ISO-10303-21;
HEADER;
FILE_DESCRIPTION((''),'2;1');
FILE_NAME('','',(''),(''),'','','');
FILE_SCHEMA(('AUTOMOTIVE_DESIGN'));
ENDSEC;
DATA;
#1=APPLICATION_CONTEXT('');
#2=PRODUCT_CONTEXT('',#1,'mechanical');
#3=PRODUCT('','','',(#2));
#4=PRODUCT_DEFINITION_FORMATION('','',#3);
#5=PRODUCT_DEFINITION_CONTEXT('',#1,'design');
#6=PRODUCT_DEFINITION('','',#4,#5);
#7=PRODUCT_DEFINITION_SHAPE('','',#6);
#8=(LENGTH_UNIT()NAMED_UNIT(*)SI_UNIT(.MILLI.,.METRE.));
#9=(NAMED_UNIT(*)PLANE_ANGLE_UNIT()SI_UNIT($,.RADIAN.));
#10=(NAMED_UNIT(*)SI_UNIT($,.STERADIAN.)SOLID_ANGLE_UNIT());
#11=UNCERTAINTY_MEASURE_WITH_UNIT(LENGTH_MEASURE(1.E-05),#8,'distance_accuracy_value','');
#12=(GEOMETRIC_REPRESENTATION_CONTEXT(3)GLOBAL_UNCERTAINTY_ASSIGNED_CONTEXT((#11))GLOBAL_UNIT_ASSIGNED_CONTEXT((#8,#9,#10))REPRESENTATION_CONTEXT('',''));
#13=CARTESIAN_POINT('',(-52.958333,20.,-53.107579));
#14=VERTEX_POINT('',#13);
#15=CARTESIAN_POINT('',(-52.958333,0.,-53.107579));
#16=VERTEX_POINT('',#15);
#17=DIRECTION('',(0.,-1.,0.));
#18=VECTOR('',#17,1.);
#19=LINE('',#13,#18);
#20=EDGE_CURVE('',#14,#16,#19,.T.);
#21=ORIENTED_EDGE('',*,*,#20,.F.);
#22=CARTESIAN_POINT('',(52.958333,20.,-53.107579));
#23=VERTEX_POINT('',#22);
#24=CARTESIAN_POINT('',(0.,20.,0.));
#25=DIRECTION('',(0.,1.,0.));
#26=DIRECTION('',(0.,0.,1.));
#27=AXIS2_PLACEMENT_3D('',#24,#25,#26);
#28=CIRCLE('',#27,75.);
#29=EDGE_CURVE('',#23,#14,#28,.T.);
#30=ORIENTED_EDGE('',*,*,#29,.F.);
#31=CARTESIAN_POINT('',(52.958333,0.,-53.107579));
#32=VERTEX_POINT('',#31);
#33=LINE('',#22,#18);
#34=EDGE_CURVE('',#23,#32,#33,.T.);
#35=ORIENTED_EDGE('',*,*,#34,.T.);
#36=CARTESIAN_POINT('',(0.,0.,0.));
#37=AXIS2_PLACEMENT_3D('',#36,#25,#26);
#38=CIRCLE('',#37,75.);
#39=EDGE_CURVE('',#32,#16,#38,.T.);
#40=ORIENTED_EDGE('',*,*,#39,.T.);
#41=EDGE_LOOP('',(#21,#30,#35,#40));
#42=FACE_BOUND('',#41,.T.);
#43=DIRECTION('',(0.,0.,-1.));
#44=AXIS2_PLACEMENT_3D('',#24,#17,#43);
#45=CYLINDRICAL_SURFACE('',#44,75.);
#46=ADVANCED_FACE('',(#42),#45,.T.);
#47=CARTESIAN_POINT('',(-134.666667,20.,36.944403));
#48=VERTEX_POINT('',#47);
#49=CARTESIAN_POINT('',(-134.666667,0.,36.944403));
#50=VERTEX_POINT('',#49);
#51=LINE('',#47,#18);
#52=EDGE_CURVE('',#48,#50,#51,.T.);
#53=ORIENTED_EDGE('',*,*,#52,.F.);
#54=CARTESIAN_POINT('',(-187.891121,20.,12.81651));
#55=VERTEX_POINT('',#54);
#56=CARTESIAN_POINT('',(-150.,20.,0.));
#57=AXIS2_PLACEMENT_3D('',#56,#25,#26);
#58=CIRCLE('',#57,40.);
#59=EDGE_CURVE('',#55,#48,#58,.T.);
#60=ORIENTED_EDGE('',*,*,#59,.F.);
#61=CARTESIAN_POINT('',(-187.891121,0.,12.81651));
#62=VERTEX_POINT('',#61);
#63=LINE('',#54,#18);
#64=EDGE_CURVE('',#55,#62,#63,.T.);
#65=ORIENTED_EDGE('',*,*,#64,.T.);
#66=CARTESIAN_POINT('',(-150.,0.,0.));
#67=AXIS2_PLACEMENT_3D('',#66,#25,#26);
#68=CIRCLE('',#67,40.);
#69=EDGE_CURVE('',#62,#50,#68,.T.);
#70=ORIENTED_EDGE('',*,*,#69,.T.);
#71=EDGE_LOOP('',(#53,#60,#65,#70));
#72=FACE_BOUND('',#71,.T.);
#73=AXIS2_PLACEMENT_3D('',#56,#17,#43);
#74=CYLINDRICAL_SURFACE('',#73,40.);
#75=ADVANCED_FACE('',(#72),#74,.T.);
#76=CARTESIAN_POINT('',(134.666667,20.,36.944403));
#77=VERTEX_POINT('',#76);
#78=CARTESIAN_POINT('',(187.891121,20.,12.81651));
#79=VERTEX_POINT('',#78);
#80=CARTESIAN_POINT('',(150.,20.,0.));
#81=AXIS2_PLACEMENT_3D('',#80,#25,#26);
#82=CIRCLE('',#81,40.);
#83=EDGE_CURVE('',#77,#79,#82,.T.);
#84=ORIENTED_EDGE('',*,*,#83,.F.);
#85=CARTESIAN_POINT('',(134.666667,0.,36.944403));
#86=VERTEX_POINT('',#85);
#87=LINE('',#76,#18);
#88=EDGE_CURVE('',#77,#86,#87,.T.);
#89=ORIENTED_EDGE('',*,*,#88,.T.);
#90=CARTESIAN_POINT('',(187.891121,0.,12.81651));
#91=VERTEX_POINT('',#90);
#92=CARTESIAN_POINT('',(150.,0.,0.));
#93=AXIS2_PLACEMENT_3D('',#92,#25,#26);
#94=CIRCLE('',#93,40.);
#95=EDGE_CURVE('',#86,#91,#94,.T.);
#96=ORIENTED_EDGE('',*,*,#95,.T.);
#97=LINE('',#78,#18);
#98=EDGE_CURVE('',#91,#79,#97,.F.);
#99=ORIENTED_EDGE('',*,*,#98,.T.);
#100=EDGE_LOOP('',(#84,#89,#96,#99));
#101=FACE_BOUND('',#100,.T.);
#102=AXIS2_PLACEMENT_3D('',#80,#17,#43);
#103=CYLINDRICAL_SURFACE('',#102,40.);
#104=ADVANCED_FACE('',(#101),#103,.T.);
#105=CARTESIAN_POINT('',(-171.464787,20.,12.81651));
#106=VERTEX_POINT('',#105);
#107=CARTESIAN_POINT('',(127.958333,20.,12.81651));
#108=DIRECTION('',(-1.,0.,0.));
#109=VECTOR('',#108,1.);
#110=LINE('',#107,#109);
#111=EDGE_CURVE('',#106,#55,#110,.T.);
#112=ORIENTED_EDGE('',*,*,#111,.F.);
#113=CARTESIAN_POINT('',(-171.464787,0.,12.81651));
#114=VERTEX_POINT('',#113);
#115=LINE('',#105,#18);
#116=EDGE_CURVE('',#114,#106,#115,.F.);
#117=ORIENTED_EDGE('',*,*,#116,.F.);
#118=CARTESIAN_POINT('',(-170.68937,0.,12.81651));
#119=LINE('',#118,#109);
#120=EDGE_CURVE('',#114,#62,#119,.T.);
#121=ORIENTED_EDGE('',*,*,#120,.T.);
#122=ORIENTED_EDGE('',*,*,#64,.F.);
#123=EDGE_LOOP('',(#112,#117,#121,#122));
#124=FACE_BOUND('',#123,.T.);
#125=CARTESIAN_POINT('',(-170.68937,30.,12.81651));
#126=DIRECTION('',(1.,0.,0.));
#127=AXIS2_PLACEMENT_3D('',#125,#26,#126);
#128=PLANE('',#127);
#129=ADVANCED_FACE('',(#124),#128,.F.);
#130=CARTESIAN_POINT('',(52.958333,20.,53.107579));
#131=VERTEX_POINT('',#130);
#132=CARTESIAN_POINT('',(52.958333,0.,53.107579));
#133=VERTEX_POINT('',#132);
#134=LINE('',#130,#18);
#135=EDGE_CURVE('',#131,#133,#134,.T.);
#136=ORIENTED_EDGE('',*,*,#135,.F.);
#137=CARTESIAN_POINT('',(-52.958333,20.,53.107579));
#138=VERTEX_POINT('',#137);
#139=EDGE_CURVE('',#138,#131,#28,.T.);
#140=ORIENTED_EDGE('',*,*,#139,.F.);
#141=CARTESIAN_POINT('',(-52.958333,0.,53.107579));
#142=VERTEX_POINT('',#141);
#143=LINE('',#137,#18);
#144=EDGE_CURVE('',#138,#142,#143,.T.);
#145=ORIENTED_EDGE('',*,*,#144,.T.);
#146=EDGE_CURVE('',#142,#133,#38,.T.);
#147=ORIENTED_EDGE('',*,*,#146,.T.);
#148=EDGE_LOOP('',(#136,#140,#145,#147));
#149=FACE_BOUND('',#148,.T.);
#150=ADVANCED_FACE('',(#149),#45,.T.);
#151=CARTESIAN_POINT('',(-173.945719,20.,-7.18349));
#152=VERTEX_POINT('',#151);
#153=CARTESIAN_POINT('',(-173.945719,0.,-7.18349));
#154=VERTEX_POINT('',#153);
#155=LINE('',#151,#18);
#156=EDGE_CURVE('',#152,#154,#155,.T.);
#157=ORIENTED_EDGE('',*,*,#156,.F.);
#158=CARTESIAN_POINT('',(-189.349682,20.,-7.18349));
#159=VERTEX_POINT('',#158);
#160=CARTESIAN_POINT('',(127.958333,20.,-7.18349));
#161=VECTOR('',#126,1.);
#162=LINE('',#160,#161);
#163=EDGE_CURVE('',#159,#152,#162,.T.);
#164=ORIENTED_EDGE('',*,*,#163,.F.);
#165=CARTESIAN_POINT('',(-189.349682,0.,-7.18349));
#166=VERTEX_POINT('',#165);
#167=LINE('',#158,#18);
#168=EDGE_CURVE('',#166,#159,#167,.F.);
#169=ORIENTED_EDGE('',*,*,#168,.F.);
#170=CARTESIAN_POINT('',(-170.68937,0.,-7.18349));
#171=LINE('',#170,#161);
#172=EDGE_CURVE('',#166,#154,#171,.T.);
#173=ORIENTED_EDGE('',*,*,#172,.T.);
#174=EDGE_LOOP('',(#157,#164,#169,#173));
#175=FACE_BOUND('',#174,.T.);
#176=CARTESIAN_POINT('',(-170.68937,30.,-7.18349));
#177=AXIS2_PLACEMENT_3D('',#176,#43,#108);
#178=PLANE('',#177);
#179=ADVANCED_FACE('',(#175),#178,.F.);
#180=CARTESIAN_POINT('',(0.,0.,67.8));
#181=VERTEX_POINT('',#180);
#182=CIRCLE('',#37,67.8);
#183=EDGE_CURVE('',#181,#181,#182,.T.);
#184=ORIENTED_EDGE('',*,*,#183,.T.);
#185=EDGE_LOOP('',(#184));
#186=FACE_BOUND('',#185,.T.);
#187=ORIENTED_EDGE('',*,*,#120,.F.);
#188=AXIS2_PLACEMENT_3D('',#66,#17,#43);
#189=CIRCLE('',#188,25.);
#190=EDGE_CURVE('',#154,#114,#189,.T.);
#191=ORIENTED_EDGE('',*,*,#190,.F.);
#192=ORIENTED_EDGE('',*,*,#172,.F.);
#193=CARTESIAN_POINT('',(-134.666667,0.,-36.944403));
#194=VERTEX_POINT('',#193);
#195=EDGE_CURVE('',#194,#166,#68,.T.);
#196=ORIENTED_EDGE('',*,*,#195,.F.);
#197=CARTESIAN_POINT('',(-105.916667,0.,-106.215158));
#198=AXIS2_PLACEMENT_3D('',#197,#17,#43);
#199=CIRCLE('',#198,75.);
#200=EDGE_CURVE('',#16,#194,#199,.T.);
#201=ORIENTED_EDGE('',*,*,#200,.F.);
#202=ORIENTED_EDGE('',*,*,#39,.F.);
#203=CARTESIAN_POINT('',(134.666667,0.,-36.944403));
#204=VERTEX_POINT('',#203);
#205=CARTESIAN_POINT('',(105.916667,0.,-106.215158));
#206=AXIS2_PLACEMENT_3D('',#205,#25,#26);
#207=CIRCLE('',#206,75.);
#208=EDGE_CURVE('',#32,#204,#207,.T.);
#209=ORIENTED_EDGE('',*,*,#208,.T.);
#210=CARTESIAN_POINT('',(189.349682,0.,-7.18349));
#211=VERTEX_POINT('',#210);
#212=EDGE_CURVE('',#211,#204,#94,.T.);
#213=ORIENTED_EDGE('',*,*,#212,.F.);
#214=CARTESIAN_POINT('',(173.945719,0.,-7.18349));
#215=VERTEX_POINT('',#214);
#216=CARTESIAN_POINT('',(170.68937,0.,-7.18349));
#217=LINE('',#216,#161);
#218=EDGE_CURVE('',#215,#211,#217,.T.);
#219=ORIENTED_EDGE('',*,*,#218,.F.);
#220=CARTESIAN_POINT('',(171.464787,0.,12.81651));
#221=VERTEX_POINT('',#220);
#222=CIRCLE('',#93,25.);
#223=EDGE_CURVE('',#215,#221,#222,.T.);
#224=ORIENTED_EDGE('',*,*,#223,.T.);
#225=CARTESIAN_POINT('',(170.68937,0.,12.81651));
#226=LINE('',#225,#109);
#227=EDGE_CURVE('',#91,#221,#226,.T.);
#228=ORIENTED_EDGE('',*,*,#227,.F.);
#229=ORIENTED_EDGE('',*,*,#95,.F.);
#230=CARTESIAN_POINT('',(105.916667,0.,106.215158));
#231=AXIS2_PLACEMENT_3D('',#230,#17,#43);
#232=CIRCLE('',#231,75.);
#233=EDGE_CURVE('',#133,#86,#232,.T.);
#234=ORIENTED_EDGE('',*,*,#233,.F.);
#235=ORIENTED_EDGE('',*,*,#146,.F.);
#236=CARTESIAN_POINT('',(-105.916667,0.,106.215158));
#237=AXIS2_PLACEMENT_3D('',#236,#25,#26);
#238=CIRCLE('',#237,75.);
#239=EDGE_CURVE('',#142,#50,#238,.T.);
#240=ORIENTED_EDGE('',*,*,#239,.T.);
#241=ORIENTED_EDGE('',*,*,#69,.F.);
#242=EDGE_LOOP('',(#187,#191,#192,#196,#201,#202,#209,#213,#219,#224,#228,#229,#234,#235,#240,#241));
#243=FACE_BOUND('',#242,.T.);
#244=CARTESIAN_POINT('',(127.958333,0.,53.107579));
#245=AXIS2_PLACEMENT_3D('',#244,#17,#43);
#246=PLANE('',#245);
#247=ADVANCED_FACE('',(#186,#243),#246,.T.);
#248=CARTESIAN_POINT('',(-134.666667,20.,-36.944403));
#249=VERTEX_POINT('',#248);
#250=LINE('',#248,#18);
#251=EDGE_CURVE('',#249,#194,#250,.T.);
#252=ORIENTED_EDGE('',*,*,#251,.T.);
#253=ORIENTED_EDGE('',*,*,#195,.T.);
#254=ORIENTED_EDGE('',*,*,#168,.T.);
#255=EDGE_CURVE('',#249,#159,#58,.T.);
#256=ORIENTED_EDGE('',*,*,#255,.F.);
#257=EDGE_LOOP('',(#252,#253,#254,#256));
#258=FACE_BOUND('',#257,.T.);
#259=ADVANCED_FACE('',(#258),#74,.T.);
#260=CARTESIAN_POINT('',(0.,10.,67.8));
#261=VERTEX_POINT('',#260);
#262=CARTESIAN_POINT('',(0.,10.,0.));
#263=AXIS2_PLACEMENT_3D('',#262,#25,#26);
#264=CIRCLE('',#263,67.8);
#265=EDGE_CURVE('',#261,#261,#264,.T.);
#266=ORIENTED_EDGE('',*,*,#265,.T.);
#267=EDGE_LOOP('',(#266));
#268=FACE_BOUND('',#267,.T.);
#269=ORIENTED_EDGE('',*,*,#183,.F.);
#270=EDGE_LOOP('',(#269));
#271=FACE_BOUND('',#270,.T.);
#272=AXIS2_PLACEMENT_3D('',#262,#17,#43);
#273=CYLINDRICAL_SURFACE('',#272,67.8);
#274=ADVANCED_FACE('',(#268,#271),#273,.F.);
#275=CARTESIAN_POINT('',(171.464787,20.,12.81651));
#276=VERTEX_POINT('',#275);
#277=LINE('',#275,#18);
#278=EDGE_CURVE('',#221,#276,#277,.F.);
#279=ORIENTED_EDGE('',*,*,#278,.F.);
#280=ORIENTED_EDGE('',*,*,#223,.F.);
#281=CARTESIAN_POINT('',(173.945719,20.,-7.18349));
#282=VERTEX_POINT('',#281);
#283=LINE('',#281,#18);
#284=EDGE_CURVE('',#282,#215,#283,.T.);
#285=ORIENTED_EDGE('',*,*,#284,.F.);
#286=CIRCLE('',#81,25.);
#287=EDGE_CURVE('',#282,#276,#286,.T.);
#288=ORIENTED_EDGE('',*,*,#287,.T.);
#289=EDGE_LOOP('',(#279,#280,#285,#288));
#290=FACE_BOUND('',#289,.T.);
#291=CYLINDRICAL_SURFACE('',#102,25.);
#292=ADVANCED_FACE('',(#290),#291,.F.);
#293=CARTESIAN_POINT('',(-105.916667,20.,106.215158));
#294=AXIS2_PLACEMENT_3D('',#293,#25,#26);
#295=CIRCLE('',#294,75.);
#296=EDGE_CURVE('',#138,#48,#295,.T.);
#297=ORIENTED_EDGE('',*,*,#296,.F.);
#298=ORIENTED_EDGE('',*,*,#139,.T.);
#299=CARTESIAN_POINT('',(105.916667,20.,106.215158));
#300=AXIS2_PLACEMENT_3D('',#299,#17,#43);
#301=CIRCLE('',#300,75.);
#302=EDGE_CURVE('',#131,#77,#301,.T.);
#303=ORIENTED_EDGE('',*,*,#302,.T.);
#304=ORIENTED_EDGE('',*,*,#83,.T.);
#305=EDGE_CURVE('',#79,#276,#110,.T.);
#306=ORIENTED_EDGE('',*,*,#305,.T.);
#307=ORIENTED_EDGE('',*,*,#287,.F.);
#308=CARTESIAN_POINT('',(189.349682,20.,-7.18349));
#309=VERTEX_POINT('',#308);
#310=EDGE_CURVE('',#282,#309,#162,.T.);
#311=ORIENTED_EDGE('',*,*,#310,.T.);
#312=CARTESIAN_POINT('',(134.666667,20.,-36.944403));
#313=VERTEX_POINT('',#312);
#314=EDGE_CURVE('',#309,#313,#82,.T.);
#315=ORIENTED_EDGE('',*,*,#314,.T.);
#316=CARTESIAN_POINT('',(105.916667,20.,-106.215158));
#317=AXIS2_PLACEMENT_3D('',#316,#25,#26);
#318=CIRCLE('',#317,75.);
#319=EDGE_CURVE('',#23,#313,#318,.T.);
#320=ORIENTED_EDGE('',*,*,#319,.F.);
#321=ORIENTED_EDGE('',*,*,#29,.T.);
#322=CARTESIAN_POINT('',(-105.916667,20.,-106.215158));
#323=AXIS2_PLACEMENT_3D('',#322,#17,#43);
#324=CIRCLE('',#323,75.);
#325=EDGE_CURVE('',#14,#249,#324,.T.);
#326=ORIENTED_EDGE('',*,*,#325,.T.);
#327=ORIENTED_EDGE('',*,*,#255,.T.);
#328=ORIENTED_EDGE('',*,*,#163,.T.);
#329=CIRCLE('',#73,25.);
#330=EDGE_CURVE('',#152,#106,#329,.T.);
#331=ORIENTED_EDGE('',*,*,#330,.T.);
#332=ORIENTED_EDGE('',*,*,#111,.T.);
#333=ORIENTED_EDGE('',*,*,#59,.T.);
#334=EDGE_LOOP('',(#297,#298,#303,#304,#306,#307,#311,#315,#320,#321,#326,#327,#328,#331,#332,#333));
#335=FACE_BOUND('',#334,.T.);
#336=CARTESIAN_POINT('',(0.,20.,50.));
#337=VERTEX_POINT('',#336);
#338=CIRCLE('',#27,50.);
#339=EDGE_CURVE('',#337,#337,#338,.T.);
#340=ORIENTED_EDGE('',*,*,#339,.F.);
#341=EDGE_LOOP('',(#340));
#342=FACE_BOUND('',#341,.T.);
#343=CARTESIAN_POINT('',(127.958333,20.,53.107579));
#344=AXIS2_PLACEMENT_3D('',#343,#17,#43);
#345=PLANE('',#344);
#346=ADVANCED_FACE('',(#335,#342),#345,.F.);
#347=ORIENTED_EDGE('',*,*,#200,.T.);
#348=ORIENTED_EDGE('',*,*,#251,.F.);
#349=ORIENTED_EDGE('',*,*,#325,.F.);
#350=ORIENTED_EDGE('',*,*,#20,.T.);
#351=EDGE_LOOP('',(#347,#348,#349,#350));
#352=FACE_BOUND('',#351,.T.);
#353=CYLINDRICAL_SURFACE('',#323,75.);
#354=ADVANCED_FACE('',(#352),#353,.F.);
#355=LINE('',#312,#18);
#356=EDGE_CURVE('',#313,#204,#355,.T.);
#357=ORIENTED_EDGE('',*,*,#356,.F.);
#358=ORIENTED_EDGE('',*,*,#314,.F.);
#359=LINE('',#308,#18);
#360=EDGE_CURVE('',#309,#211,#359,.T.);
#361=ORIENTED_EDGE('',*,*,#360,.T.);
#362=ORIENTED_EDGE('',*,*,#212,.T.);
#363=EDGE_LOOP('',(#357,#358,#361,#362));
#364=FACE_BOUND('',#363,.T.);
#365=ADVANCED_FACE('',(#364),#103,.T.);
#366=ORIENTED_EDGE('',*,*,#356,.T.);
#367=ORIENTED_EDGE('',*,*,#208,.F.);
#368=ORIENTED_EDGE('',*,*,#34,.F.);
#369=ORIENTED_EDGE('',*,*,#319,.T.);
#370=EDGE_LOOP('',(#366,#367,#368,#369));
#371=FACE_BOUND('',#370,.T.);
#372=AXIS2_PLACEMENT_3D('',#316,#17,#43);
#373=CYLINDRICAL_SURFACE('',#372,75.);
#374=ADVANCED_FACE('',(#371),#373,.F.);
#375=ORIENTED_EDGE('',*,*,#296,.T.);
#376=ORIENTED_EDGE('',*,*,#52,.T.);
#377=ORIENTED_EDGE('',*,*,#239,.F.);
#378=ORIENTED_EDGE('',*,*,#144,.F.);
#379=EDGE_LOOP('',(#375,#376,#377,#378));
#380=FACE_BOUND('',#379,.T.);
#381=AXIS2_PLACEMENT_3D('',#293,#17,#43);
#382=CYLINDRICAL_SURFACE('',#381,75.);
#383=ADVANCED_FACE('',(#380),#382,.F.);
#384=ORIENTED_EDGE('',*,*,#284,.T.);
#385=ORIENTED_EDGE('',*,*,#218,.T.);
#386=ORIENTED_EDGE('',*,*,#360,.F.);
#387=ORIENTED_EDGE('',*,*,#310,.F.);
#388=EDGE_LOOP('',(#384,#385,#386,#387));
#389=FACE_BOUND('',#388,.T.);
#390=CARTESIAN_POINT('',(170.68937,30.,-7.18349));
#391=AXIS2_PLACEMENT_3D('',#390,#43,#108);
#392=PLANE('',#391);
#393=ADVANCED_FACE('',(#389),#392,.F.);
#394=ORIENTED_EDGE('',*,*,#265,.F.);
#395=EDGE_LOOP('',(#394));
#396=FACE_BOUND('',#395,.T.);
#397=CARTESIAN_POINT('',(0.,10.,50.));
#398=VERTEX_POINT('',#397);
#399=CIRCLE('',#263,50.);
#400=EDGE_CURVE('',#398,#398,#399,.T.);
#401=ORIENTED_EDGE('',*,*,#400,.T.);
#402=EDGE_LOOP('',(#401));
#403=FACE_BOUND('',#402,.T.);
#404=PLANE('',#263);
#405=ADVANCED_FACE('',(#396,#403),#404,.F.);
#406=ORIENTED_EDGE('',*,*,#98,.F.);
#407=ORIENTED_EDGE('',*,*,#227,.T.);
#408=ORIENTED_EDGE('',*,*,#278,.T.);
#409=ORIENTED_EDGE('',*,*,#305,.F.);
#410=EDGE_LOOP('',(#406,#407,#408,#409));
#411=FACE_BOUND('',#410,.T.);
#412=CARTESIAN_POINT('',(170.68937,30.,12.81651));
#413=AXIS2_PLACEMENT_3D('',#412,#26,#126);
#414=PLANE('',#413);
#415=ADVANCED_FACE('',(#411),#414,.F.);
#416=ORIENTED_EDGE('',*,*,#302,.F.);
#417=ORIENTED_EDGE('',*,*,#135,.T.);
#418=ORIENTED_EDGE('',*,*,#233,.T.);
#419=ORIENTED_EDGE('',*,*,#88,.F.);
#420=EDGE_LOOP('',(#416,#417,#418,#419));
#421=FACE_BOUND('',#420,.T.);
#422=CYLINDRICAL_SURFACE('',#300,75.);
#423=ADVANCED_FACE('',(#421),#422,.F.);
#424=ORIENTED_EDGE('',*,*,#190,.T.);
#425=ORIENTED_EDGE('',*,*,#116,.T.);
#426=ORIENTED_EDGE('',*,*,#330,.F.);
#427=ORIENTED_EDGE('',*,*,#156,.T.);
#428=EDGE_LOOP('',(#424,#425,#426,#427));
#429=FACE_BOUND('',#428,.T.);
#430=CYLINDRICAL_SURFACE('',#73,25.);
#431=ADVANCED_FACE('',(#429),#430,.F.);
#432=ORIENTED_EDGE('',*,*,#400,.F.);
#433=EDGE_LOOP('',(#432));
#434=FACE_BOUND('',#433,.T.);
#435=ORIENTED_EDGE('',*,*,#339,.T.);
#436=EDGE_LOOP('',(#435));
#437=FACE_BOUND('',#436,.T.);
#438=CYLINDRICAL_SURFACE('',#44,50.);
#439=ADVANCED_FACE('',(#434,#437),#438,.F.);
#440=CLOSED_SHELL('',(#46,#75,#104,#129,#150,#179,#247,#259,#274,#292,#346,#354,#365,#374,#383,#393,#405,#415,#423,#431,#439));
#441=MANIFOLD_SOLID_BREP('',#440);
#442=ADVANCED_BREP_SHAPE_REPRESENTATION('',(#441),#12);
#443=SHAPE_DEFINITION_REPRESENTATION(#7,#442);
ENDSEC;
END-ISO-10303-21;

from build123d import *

# Parameters (mm, degrees)
SKETCH6_R           = 50
SKETCH6_R_2         = 25
BOSS_EXTRUDE6_DEPTH = 20
SKETCH6_8_R         = 67.8
CUT_EXTRUDE11_DEPTH = 10
SKETCH9_W           = 21.167456462
SKETCH9_H           = 20
CUT_EXTRUDE13_DEPTH = 30


with BuildPart() as part:
    # Sketch6 → Boss-Extrude6 (new body)
    with BuildSketch(Plane(origin=(0, 0, 0), x_dir=(1, 0, 0), z_dir=(0, 1, 0))):
        with BuildLine():
            ThreePointArc((-52.958333333, -53.107578843), (0, -75), (52.958333333, -53.107578843))
            ThreePointArc((52.958333333, -53.107578843), (91.362529225, -32.640861336), (134.666666667, -36.944402673))
            ThreePointArc((134.666666667, -36.944402673), (190, 0), (134.666666667, 36.944402673))
            ThreePointArc((134.666666667, 36.944402673), (91.362529225, 32.640861336), (52.958333333, 53.107578843))
            ThreePointArc((52.958333333, 53.107578843), (0, 75), (-52.958333333, 53.107578843))
            ThreePointArc((-52.958333333, 53.107578843), (-91.362529225, 32.640861336), (-134.666666667, 36.944402673))
            ThreePointArc((-134.666666667, 36.944402673), (-190, 0), (-134.666666667, -36.944402673))
            ThreePointArc((-134.666666667, -36.944402673), (-91.362529225, -32.640861336), (-52.958333333, -53.107578843))
        make_face()
        Circle(SKETCH6_R, mode=Mode.SUBTRACT)
        with Locations((150, 0)):
            Circle(SKETCH6_R_2, mode=Mode.SUBTRACT)
        with Locations((-150, 0)):
            Circle(SKETCH6_R_2, mode=Mode.SUBTRACT)
    extrude(amount=BOSS_EXTRUDE6_DEPTH)

    # Sketch6<8> → Cut-Extrude11 (cut)
    with BuildSketch(Plane(origin=(0, 0, 0), x_dir=(1, 0, 0), z_dir=(0, 1, 0))):
        Circle(SKETCH6_8_R)
    extrude(amount=CUT_EXTRUDE11_DEPTH, mode=Mode.SUBTRACT)

    # Sketch9 → Cut-Extrude13 (cut)
    with BuildSketch(Plane.XZ):
        with Locations((181.273098249, 2.816509548)):
            Rectangle(SKETCH9_W, SKETCH9_H)
        with Locations((-181.273098249, 2.816509548)):
            Rectangle(SKETCH9_W, SKETCH9_H)
    extrude(amount=-CUT_EXTRUDE13_DEPTH, mode=Mode.SUBTRACT)


solid = part.part
